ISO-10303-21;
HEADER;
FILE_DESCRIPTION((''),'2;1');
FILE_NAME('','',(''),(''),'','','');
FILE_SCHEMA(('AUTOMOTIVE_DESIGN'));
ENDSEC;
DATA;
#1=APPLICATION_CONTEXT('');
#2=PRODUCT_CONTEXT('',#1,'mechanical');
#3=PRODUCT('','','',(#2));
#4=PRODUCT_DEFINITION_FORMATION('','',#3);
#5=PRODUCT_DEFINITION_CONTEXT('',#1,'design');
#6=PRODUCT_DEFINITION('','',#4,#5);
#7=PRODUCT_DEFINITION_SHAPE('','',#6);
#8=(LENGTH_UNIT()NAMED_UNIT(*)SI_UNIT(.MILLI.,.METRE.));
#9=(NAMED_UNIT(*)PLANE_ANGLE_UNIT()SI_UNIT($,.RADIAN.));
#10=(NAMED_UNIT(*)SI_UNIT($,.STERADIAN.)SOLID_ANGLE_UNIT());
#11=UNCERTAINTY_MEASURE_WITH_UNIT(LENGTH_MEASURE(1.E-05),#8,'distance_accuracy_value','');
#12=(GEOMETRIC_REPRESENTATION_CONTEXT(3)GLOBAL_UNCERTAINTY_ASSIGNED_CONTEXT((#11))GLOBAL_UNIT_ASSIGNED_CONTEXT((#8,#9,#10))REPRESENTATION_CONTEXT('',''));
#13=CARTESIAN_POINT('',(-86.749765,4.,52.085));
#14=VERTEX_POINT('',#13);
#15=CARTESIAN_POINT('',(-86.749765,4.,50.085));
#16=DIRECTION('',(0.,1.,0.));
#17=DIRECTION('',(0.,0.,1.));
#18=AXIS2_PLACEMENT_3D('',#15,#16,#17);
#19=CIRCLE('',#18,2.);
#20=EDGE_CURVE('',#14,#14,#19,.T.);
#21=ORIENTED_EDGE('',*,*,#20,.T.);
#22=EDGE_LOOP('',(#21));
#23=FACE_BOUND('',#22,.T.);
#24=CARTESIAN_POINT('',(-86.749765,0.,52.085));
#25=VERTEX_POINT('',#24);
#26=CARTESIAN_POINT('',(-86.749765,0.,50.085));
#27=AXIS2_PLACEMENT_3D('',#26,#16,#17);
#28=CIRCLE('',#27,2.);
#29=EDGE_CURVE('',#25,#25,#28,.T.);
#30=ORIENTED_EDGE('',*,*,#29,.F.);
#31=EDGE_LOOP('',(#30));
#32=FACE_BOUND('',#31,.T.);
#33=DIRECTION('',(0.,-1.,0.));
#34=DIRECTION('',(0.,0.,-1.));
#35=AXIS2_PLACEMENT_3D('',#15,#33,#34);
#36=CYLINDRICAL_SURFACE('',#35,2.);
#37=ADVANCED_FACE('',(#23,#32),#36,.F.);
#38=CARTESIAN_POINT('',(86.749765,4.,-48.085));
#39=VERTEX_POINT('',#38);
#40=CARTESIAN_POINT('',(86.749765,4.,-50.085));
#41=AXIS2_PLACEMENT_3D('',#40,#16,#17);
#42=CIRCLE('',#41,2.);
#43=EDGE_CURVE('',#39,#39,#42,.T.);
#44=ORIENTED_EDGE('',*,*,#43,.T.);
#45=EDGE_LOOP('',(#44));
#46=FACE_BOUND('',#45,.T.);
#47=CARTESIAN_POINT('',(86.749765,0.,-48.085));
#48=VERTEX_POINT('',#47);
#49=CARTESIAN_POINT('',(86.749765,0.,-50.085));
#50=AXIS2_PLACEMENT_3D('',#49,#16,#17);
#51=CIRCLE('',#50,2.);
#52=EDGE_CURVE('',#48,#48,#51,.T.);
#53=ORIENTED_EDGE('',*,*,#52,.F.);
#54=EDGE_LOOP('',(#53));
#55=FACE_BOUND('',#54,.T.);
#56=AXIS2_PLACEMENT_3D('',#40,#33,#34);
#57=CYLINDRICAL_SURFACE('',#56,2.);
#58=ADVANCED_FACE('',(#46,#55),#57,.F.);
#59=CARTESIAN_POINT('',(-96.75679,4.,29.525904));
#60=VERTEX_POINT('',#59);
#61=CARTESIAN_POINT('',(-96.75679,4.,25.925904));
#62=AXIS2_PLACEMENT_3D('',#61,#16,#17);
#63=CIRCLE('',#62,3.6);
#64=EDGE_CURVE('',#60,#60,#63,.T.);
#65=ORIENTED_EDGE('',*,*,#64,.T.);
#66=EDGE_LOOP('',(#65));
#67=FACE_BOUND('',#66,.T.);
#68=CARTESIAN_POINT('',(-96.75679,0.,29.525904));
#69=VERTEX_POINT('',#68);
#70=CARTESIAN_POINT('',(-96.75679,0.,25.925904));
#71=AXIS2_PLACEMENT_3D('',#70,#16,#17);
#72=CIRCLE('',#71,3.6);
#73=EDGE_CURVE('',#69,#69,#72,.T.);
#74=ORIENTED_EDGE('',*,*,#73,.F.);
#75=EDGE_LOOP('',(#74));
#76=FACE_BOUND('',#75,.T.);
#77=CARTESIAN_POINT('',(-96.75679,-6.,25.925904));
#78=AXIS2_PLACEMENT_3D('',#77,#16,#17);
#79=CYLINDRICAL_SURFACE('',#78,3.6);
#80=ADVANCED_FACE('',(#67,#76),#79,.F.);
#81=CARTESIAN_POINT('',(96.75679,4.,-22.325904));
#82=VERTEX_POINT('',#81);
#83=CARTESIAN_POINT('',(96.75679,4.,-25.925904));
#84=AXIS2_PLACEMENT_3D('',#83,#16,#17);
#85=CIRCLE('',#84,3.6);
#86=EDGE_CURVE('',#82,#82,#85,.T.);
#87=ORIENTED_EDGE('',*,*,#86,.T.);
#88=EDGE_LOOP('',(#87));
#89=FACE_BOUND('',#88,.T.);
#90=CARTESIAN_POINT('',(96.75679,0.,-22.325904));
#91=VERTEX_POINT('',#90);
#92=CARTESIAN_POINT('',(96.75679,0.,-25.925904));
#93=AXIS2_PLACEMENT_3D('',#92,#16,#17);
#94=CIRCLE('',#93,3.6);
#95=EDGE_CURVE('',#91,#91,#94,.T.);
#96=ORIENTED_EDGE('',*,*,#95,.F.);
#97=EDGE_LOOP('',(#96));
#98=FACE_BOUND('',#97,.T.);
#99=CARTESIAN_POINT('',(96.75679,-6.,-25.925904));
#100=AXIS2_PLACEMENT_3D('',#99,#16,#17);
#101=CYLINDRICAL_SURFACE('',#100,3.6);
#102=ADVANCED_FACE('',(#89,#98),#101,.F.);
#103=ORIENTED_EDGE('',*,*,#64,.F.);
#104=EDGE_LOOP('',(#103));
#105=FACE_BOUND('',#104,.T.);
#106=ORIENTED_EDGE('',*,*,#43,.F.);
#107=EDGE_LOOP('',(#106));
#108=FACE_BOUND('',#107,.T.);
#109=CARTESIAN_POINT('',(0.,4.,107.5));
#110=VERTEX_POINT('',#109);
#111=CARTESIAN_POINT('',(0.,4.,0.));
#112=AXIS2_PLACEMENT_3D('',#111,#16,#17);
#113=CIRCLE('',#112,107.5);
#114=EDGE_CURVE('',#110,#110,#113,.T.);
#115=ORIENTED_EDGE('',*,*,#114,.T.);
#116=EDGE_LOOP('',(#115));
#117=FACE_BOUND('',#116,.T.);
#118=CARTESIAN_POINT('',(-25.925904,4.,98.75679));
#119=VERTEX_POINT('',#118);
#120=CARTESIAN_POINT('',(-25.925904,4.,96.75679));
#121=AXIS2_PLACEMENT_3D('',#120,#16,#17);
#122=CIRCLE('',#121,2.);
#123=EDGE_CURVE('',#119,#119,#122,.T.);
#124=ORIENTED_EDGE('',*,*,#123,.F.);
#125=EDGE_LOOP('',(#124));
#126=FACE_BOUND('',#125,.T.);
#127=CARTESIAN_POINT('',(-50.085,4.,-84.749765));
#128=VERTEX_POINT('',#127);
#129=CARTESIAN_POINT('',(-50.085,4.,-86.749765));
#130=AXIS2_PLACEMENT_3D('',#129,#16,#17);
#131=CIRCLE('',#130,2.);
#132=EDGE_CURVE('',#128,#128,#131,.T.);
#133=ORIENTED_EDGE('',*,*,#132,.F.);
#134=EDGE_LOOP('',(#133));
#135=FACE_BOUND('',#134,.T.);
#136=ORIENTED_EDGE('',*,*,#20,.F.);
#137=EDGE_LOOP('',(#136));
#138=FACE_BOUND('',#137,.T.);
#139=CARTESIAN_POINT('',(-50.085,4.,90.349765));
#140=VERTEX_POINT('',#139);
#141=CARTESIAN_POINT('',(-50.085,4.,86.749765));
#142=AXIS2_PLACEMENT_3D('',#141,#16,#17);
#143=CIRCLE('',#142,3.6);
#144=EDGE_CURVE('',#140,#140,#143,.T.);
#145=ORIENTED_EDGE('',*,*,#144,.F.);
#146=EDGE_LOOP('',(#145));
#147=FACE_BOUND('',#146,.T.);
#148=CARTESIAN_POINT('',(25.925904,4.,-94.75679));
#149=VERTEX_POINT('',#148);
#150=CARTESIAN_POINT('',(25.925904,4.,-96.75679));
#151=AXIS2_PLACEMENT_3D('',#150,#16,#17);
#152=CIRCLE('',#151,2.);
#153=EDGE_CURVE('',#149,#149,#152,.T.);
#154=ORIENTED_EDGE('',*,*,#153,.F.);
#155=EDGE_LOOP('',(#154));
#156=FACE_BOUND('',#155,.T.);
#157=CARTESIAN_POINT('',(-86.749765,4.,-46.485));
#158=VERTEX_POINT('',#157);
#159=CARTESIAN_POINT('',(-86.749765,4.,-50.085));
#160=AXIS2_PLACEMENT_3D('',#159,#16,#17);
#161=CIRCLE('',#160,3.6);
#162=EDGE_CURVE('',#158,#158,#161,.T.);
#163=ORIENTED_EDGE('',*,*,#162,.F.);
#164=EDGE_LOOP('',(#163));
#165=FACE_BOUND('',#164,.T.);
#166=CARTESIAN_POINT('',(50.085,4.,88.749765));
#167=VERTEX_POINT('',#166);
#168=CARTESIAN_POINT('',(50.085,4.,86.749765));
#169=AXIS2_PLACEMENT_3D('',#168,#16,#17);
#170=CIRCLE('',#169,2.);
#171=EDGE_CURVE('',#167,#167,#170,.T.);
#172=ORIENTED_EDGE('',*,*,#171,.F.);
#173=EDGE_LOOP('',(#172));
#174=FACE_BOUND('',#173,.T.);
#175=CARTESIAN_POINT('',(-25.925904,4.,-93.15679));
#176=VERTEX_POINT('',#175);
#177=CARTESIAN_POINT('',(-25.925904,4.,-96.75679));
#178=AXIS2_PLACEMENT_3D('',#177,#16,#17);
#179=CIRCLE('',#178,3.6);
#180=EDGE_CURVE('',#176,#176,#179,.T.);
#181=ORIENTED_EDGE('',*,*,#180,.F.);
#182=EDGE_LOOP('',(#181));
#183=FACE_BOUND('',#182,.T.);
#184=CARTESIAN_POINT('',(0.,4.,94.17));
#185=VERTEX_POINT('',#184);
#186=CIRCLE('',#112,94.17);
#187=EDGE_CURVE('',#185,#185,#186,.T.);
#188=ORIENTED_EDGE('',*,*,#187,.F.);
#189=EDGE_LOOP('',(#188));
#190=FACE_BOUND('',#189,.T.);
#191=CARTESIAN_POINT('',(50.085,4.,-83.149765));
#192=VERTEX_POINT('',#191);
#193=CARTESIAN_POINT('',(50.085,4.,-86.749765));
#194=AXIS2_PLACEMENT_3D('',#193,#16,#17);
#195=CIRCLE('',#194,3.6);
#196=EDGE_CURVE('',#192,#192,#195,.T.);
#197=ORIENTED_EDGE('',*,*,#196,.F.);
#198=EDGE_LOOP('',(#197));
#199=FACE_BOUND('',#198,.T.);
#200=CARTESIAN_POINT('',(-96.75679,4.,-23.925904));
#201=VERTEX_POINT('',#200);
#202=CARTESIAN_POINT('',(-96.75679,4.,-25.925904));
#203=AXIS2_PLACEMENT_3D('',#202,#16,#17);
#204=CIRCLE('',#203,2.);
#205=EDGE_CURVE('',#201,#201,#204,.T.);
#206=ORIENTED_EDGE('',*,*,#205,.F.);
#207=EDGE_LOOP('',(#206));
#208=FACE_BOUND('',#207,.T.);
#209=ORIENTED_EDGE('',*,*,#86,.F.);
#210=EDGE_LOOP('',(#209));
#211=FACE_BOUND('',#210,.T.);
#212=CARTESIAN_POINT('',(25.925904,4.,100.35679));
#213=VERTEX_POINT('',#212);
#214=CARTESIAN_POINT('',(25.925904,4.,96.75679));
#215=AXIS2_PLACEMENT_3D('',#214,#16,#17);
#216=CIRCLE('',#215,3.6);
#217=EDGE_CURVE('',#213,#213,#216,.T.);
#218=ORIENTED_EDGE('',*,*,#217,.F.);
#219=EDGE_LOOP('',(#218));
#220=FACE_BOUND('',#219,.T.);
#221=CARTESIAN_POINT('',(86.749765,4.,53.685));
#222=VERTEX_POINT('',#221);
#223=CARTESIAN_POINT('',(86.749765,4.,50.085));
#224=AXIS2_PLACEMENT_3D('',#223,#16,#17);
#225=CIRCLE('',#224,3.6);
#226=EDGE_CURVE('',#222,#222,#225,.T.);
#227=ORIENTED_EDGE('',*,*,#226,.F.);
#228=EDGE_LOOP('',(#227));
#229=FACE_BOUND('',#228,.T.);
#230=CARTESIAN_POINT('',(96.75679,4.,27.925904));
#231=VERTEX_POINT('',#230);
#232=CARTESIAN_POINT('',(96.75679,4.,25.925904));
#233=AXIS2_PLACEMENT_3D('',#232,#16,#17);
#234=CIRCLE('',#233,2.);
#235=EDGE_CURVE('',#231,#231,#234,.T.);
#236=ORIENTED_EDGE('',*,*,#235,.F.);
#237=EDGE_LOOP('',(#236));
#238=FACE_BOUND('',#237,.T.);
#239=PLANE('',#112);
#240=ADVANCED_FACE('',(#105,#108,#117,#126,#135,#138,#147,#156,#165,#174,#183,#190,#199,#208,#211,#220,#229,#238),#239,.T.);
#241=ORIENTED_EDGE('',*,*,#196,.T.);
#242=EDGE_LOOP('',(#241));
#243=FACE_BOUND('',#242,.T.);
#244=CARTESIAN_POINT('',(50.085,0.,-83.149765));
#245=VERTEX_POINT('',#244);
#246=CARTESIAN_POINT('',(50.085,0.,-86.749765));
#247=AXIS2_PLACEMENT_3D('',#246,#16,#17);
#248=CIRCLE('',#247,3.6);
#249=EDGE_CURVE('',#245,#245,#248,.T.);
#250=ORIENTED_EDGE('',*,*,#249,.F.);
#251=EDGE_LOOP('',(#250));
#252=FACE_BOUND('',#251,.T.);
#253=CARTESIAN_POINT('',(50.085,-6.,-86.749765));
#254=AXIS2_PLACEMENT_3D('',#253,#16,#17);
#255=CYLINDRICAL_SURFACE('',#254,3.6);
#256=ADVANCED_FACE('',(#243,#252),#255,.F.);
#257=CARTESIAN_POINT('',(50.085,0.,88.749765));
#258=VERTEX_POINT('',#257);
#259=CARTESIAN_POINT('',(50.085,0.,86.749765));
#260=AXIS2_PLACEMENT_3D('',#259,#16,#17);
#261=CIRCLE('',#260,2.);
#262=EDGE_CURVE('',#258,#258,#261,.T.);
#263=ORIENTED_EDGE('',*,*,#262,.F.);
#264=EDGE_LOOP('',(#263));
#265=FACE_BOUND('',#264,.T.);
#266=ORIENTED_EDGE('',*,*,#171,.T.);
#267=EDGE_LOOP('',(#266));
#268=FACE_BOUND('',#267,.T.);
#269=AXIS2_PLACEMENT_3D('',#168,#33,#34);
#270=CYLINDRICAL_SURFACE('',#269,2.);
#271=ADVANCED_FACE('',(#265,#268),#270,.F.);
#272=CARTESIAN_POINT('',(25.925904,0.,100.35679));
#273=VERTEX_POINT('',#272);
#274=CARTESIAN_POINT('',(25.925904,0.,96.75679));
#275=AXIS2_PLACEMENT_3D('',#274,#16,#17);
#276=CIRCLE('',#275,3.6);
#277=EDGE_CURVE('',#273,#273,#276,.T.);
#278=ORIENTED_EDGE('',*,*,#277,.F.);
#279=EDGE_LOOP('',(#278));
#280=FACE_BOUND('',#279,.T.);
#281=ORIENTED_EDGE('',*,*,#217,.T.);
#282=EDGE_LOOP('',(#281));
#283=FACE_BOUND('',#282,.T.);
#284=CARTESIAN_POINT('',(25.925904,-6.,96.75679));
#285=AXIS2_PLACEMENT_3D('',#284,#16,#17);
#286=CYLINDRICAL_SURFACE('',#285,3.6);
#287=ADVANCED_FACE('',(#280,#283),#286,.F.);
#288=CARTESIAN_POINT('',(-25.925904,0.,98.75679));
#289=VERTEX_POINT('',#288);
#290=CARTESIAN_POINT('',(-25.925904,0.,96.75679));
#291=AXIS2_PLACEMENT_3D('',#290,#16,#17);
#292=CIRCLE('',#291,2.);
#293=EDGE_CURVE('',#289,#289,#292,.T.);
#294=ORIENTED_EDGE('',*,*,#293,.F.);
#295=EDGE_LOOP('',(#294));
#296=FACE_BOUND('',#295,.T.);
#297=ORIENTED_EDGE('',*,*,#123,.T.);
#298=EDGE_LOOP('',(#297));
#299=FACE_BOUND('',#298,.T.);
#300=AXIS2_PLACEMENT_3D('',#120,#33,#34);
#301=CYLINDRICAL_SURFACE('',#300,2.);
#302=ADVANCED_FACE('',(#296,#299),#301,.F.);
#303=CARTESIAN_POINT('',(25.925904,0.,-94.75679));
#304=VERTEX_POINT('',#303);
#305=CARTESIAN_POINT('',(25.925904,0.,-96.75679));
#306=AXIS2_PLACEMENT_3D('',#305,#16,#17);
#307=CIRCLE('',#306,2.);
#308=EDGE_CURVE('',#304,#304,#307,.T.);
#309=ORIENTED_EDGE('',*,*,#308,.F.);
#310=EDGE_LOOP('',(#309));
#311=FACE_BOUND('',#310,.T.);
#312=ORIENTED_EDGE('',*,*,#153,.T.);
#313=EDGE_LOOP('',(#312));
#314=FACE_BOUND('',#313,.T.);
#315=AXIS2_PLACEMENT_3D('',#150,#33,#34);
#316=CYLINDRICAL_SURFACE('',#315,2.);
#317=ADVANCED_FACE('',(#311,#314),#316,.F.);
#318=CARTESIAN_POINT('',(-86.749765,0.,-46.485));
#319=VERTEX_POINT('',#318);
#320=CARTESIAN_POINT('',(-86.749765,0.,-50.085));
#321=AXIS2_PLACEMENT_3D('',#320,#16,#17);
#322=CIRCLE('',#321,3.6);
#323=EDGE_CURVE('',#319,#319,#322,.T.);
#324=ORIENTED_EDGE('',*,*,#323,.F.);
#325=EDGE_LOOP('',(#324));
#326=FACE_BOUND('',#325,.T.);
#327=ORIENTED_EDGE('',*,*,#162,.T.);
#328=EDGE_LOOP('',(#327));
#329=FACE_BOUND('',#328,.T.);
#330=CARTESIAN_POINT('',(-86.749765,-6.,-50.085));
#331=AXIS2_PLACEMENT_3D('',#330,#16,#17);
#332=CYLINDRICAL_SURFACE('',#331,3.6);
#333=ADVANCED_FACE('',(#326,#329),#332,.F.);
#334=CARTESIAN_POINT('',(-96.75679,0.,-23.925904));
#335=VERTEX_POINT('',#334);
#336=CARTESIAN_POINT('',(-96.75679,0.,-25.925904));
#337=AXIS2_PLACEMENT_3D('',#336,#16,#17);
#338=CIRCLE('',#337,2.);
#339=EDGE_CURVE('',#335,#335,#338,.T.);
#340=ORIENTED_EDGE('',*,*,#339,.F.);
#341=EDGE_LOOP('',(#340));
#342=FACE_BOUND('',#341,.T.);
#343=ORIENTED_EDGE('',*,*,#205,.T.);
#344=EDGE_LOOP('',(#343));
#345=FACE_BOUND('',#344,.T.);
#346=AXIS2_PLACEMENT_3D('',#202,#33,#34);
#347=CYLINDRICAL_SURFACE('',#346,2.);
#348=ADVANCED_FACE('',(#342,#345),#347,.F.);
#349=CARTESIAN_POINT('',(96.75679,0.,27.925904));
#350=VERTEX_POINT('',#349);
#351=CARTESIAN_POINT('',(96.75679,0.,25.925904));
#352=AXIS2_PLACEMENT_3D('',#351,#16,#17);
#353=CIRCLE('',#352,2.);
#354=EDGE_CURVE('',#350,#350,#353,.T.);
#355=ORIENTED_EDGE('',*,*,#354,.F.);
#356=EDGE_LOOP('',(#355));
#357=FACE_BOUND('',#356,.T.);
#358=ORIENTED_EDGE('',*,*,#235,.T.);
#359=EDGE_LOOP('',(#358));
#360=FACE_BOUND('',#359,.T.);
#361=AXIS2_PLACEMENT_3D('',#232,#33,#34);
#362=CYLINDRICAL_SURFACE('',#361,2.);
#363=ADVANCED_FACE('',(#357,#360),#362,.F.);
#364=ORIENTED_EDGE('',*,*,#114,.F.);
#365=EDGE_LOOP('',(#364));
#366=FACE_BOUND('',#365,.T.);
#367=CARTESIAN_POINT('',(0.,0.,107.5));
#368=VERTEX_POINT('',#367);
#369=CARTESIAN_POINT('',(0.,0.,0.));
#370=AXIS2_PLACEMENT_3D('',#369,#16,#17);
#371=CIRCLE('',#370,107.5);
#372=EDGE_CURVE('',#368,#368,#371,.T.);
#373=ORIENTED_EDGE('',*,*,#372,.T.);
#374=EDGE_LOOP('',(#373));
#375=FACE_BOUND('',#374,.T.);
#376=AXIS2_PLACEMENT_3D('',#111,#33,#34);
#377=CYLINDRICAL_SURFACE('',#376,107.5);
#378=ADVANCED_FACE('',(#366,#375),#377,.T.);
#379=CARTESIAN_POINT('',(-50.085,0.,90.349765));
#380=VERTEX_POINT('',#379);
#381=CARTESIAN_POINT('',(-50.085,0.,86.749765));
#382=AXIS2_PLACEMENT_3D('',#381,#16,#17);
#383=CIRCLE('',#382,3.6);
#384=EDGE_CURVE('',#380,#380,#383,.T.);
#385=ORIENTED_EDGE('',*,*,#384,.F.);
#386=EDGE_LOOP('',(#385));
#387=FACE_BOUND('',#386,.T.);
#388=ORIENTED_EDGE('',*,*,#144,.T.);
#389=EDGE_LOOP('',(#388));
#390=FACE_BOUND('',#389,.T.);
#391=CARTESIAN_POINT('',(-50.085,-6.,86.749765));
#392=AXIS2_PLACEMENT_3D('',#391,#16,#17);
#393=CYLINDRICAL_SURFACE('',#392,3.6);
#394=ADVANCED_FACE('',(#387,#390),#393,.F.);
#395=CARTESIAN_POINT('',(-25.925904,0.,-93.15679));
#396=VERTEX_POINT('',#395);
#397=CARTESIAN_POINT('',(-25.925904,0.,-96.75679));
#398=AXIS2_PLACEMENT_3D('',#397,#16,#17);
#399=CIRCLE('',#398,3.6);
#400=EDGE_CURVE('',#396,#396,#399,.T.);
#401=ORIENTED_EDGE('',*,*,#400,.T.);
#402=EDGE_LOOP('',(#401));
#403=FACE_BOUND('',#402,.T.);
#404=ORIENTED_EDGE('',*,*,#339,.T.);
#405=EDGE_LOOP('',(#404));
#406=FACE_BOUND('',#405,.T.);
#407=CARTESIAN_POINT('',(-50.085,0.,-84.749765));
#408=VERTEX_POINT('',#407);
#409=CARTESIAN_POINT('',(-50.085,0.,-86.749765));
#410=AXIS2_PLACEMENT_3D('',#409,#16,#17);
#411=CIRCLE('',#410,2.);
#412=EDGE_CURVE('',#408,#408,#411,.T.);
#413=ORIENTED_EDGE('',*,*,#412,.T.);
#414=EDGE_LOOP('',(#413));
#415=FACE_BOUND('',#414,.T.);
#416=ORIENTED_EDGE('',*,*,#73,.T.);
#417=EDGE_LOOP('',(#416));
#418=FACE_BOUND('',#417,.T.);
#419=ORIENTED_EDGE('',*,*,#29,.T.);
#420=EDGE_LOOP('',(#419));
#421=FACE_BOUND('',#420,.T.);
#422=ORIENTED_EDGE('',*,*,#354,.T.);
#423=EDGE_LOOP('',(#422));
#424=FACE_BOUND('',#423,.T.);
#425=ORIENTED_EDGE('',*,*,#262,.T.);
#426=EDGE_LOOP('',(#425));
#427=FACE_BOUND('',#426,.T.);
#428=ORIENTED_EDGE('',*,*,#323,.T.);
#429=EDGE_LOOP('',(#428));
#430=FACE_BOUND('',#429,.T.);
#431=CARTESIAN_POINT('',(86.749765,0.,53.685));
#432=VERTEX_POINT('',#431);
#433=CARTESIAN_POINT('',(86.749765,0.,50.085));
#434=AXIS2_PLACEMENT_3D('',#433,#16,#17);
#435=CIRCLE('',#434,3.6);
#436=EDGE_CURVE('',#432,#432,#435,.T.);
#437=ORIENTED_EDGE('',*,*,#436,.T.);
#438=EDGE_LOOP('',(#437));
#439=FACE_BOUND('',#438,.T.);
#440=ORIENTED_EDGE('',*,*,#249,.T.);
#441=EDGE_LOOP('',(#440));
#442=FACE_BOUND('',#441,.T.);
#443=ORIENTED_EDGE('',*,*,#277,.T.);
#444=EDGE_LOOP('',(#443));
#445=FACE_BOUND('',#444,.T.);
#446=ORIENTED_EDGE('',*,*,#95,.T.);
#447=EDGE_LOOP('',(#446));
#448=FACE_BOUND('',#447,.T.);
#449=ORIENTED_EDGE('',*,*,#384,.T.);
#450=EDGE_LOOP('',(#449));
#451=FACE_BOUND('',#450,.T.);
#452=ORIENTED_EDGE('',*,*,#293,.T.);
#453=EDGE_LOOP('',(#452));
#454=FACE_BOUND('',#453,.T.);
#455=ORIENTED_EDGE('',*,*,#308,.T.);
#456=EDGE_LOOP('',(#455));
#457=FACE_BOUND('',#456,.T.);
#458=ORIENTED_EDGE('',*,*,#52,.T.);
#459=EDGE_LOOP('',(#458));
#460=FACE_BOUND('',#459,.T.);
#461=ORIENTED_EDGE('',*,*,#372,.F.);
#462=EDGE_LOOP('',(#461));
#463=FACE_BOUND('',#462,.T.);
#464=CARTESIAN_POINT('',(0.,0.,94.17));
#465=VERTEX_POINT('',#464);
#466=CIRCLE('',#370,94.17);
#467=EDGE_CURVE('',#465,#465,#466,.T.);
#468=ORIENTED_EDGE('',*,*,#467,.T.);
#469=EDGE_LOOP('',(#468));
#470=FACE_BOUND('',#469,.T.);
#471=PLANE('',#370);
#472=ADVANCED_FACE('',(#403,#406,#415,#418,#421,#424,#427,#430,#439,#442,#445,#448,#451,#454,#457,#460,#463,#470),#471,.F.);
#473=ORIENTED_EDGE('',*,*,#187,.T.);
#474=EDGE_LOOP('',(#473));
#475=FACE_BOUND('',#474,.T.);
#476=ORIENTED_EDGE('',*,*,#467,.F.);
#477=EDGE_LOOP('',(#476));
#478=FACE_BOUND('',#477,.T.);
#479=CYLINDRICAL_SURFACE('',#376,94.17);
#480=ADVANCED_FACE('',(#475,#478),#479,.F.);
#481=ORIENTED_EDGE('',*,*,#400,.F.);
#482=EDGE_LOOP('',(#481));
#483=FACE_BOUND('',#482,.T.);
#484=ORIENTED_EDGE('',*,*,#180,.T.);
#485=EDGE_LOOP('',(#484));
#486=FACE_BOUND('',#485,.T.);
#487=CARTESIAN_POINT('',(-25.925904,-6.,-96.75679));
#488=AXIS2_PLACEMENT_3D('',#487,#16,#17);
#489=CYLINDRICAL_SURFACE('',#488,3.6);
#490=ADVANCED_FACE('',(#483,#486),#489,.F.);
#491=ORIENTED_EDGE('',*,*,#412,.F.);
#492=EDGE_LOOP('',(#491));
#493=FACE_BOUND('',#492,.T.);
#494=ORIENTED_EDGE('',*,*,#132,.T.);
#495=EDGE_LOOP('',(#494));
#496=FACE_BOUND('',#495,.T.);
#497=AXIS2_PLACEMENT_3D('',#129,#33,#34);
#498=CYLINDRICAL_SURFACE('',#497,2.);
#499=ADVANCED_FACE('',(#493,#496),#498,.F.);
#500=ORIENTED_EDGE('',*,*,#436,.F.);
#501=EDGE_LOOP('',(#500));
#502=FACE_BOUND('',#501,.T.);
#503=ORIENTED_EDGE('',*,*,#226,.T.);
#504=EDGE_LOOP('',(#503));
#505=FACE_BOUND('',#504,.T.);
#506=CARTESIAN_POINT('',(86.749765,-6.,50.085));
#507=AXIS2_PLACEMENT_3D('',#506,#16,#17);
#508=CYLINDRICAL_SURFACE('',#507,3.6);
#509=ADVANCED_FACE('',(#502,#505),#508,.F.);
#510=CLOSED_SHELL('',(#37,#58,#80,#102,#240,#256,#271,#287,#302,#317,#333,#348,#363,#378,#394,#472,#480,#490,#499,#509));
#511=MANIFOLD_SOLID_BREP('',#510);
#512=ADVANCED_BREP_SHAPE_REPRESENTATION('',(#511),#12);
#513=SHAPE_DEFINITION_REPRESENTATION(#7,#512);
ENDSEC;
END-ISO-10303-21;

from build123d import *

# Parameters (mm, degrees)
SKETCH1_R           = 107.5
SKETCH1_R_2         = 94.17
SKETCH1_R_3         = 2
BOSS_EXTRUDE1_DEPTH = 4
SKETCH2_R           = 3.6
CUT_EXTRUDE1_DEPTH  = 10


with BuildPart() as part:
    # Sketch1 → Boss-Extrude1 (new body)
    with BuildSketch(Plane(origin=(0, 0, 0), x_dir=(1, 0, 0), z_dir=(0, 1, 0))):
        with Locations(Location((0, 0, 0), (0, 0, 270))):
            Circle(SKETCH1_R)
        with Locations(Location((0, 0, 0), (0, 0, 270))):
            Circle(SKETCH1_R_2, mode=Mode.SUBTRACT)
        with Locations(Location((86.749764697, 50.085, 0), (0, 0, 270))):
            Circle(SKETCH1_R_3, mode=Mode.SUBTRACT)
        with Locations(Location((96.756790019, -25.925903748, 0), (0, 0, 270))):
            Circle(SKETCH1_R_3, mode=Mode.SUBTRACT)
        with Locations(Location((50.085, -86.749764697, 0), (0, 0, 270))):
            Circle(SKETCH1_R_3, mode=Mode.SUBTRACT)
        with Locations(Location((-25.925903748, -96.756790019, 0), (0, 0, 270))):
            Circle(SKETCH1_R_3, mode=Mode.SUBTRACT)
        with Locations(Location((-86.749764697, -50.085, 0), (0, 0, 270))):
            Circle(SKETCH1_R_3, mode=Mode.SUBTRACT)
        with Locations(Location((-96.756790019, 25.925903748, 0), (0, 0, 270))):
            Circle(SKETCH1_R_3, mode=Mode.SUBTRACT)
        with Locations(Location((-50.085, 86.749764697, 0), (0, 0, 270))):
            Circle(SKETCH1_R_3, mode=Mode.SUBTRACT)
        with Locations(Location((25.925903748, 96.756790019, 0), (0, 0, 270))):
            Circle(SKETCH1_R_3, mode=Mode.SUBTRACT)
    extrude(amount=BOSS_EXTRUDE1_DEPTH)

    # Sketch2 → Cut-Extrude1 (cut)
    with BuildSketch(Plane(origin=(0, 4, 0), x_dir=(1, 0, 0), z_dir=(0, 1, 0))):
        with Locations(Location((96.756790019, 25.925903748, 0), (0, 0, 270))):
            Circle(SKETCH2_R)
        with Locations(Location((86.749764697, -50.085, 0), (0, 0, 270))):
            Circle(SKETCH2_R)
        with Locations(Location((25.925903748, -96.756790019, 0), (0, 0, 270))):
            Circle(SKETCH2_R)
        with Locations(Location((-50.085, -86.749764697, 0), (0, 0, 270))):
            Circle(SKETCH2_R)
        with Locations(Location((-96.756790019, -25.925903748, 0), (0, 0, 270))):
            Circle(SKETCH2_R)
        with Locations(Location((-86.749764697, 50.085, 0), (0, 0, 270))):
            Circle(SKETCH2_R)
        with Locations(Location((-25.925903748, 96.756790019, 0), (0, 0, 270))):
            Circle(SKETCH2_R)
        with Locations(Location((50.085, 86.749764697, 0), (0, 0, 270))):
            Circle(SKETCH2_R)
    extrude(amount=-CUT_EXTRUDE1_DEPTH, mode=Mode.SUBTRACT)


solid = part.part
